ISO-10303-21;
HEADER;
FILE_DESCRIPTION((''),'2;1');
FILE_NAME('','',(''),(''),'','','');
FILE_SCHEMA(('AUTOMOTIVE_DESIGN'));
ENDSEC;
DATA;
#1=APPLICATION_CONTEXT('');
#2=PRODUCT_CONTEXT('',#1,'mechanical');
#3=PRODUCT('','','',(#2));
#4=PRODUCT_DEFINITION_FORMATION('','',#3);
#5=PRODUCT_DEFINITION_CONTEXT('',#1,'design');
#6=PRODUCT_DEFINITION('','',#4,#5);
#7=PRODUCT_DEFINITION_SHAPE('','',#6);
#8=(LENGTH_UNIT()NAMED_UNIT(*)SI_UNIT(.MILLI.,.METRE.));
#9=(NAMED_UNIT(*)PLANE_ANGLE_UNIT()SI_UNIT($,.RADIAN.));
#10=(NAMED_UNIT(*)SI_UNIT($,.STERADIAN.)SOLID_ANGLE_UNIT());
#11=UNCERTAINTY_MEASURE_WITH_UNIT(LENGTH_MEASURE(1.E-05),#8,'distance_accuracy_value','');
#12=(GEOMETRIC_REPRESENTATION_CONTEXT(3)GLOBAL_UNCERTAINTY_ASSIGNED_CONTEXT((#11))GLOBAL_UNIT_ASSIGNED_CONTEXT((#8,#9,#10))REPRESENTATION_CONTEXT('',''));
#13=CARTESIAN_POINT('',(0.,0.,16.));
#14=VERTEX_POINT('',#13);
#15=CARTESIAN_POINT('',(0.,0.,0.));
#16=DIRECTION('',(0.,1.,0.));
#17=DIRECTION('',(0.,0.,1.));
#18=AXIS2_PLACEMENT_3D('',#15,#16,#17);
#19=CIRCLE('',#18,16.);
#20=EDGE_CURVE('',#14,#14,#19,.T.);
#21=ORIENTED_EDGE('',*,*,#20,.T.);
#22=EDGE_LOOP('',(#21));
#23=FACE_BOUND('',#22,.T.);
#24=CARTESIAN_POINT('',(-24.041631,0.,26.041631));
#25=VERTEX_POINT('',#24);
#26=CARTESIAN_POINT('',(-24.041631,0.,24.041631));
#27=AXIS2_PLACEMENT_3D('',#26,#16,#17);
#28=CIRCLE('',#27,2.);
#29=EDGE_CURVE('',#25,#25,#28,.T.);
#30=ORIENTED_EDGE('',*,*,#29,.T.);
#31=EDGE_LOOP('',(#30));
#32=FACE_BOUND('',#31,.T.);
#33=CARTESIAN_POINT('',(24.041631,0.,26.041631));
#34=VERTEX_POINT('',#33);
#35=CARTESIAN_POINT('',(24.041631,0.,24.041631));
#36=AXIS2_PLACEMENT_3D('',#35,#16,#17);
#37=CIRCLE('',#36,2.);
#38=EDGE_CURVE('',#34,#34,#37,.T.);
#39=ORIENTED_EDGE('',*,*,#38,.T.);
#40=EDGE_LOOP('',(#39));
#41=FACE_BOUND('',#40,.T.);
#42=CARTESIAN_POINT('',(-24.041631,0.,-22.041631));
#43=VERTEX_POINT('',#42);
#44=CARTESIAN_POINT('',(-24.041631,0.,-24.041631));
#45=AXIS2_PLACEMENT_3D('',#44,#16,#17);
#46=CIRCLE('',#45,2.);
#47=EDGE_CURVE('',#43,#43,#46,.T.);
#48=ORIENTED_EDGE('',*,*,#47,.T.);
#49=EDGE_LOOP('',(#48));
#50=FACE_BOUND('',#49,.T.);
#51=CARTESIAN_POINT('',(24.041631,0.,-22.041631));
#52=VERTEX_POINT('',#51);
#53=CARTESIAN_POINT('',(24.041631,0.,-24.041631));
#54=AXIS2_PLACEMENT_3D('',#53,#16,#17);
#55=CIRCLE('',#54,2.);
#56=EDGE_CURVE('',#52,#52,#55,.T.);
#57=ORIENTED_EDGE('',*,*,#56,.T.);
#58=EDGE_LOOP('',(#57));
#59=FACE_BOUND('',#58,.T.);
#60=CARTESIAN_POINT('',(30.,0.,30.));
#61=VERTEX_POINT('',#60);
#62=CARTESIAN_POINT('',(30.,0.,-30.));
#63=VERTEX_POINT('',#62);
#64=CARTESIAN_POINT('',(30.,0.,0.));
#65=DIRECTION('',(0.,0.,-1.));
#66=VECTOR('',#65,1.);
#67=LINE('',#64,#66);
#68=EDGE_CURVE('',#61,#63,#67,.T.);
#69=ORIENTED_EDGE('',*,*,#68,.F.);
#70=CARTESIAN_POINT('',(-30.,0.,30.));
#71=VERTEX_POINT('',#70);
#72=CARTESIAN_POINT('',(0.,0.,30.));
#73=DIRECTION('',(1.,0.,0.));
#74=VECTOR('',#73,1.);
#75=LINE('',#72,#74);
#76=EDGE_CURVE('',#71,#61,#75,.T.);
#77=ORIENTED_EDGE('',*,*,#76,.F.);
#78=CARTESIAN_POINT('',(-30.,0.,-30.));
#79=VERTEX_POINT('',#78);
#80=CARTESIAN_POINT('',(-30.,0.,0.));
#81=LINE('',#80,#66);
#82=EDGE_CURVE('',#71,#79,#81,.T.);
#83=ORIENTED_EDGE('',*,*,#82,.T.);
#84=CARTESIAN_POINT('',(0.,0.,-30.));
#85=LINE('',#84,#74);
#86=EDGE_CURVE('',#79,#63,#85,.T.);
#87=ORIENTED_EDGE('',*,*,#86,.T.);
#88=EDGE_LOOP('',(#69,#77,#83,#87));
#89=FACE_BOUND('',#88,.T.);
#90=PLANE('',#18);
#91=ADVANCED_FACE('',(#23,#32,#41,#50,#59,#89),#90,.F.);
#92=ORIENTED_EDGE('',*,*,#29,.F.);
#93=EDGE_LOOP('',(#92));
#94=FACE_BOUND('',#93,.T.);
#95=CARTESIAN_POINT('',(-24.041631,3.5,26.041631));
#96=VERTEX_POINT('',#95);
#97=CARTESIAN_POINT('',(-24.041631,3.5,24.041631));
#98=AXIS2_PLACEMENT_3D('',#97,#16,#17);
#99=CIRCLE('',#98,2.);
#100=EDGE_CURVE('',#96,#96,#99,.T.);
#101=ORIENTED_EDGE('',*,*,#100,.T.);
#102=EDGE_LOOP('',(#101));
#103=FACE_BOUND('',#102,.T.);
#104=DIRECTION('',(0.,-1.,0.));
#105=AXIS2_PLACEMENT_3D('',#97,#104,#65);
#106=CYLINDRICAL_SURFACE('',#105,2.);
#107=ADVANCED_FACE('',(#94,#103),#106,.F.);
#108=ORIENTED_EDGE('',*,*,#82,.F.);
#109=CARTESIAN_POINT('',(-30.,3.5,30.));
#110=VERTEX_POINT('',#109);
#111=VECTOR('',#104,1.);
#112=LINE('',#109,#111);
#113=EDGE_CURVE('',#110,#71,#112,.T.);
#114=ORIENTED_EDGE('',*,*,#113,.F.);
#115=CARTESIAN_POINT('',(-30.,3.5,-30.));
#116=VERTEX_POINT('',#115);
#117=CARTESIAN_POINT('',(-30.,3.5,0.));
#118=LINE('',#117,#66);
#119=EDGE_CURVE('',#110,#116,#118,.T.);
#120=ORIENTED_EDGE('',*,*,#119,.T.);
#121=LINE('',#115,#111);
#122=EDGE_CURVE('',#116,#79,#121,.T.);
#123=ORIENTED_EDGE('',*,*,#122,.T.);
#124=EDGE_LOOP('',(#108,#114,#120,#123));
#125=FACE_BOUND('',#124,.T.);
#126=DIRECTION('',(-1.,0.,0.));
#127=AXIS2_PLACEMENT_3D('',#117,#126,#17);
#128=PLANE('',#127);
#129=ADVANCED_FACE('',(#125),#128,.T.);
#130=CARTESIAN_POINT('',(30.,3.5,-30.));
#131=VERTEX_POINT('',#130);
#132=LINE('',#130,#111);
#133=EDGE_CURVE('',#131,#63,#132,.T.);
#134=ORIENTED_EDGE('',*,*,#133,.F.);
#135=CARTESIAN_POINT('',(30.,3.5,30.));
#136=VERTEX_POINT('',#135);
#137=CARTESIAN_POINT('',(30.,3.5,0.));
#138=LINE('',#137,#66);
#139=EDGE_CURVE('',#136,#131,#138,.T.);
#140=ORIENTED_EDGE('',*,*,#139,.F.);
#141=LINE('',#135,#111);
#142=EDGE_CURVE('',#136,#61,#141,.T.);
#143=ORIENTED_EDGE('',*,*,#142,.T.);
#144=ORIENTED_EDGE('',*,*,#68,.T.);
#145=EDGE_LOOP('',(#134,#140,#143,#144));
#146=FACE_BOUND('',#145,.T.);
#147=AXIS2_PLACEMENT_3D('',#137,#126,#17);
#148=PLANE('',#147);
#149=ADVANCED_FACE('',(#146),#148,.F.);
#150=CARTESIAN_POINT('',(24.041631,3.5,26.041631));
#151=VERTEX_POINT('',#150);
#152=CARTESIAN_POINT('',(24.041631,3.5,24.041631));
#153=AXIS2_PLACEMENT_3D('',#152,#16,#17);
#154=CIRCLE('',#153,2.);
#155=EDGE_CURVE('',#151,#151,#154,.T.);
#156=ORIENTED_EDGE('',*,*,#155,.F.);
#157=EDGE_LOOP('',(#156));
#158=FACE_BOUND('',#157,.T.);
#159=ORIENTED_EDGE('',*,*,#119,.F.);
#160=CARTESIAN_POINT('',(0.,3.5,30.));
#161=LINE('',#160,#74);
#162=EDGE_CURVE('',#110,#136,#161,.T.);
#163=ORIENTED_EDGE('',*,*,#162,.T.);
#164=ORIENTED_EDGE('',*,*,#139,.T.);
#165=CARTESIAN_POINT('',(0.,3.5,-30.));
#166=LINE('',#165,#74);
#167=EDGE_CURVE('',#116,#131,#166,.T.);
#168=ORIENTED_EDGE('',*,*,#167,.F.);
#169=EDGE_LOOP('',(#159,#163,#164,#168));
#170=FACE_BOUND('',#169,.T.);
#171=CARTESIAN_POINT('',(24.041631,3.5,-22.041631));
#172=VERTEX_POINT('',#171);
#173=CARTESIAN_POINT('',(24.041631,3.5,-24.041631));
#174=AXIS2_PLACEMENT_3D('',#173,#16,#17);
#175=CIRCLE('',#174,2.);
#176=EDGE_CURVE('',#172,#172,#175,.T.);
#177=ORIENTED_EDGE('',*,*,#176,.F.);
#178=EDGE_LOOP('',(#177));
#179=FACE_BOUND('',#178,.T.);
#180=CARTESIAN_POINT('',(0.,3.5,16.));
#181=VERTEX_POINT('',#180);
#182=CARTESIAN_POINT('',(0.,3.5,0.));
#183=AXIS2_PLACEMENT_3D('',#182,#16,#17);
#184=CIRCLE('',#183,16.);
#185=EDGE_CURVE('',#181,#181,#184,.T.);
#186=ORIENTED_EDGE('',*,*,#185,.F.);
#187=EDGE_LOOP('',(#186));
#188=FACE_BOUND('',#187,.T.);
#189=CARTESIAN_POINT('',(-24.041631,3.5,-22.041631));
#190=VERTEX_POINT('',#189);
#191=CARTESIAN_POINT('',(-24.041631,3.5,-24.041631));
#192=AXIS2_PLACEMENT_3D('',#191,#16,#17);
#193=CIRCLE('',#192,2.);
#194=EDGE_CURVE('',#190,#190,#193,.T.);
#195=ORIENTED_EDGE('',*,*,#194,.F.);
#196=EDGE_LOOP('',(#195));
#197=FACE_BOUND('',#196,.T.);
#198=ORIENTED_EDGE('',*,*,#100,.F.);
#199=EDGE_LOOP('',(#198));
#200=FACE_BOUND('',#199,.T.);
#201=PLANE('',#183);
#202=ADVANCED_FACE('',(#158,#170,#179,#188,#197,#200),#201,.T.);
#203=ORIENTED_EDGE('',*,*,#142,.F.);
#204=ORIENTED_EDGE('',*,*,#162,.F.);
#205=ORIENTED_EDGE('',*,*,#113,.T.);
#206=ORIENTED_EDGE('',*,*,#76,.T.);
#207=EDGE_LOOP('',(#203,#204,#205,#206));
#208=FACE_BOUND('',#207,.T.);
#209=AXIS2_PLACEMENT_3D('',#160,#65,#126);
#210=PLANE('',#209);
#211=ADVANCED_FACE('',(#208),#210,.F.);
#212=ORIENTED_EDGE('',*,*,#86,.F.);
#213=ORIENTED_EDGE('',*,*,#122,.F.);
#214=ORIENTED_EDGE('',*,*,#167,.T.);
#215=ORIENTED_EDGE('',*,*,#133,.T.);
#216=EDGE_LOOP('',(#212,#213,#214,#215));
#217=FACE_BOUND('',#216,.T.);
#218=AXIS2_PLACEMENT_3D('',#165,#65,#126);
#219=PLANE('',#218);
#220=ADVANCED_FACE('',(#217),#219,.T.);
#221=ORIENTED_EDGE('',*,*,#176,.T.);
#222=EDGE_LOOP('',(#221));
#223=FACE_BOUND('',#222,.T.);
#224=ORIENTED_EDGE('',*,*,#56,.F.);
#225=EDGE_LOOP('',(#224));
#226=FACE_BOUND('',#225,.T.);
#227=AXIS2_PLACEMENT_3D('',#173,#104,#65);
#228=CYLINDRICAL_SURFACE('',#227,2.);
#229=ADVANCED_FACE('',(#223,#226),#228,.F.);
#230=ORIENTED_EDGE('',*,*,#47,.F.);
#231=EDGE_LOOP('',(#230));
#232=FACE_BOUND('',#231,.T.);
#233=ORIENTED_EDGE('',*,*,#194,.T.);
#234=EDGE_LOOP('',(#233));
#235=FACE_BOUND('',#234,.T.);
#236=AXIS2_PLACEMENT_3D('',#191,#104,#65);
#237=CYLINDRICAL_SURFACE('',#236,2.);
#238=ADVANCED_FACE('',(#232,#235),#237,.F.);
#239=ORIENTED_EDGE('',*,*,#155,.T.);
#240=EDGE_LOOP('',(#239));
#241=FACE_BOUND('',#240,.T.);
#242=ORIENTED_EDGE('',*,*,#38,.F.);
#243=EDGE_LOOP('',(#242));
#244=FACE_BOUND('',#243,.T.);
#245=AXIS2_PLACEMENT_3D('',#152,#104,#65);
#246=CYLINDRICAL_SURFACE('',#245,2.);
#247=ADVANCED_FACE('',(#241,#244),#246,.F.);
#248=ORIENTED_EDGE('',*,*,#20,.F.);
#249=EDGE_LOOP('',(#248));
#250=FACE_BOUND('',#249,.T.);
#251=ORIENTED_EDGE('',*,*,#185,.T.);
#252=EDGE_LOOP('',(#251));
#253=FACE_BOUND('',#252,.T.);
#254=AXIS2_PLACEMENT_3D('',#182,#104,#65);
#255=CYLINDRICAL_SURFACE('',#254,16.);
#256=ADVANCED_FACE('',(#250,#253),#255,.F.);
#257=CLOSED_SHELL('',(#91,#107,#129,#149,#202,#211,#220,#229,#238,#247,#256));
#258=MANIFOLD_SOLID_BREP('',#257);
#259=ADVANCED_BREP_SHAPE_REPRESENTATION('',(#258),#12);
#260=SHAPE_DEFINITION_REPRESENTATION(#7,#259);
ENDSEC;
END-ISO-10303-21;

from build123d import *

# Parameters (mm, degrees)
SKETCH1_W           = 60
SKETCH1_H           = 60
SKETCH1_R           = 16
SKETCH1_R_2         = 2
BOSS_EXTRUDE1_DEPTH = 3.5


with BuildPart() as part:
    # Sketch1 → Boss-Extrude1 (new body)
    with BuildSketch(Plane(origin=(0, 0, 0), x_dir=(1, 0, 0), z_dir=(0, 1, 0))):
        Rectangle(SKETCH1_W, SKETCH1_H)
        with Locations(Location((0, 0, 0), (0, 0, 270))):
            Circle(SKETCH1_R, mode=Mode.SUBTRACT)
        with Locations(Location((24.04163056, -24.04163056, 0), (0, 0, 270))):
            Circle(SKETCH1_R_2, mode=Mode.SUBTRACT)
        with Locations(Location((24.04163056, 24.04163056, 0), (0, 0, 270))):
            Circle(SKETCH1_R_2, mode=Mode.SUBTRACT)
        with Locations(Location((-24.04163056, 24.04163056, 0), (0, 0, 270))):
            Circle(SKETCH1_R_2, mode=Mode.SUBTRACT)
        with Locations(Location((-24.04163056, -24.04163056, 0), (0, 0, 270))):
            Circle(SKETCH1_R_2, mode=Mode.SUBTRACT)
    extrude(amount=BOSS_EXTRUDE1_DEPTH)


solid = part.part
